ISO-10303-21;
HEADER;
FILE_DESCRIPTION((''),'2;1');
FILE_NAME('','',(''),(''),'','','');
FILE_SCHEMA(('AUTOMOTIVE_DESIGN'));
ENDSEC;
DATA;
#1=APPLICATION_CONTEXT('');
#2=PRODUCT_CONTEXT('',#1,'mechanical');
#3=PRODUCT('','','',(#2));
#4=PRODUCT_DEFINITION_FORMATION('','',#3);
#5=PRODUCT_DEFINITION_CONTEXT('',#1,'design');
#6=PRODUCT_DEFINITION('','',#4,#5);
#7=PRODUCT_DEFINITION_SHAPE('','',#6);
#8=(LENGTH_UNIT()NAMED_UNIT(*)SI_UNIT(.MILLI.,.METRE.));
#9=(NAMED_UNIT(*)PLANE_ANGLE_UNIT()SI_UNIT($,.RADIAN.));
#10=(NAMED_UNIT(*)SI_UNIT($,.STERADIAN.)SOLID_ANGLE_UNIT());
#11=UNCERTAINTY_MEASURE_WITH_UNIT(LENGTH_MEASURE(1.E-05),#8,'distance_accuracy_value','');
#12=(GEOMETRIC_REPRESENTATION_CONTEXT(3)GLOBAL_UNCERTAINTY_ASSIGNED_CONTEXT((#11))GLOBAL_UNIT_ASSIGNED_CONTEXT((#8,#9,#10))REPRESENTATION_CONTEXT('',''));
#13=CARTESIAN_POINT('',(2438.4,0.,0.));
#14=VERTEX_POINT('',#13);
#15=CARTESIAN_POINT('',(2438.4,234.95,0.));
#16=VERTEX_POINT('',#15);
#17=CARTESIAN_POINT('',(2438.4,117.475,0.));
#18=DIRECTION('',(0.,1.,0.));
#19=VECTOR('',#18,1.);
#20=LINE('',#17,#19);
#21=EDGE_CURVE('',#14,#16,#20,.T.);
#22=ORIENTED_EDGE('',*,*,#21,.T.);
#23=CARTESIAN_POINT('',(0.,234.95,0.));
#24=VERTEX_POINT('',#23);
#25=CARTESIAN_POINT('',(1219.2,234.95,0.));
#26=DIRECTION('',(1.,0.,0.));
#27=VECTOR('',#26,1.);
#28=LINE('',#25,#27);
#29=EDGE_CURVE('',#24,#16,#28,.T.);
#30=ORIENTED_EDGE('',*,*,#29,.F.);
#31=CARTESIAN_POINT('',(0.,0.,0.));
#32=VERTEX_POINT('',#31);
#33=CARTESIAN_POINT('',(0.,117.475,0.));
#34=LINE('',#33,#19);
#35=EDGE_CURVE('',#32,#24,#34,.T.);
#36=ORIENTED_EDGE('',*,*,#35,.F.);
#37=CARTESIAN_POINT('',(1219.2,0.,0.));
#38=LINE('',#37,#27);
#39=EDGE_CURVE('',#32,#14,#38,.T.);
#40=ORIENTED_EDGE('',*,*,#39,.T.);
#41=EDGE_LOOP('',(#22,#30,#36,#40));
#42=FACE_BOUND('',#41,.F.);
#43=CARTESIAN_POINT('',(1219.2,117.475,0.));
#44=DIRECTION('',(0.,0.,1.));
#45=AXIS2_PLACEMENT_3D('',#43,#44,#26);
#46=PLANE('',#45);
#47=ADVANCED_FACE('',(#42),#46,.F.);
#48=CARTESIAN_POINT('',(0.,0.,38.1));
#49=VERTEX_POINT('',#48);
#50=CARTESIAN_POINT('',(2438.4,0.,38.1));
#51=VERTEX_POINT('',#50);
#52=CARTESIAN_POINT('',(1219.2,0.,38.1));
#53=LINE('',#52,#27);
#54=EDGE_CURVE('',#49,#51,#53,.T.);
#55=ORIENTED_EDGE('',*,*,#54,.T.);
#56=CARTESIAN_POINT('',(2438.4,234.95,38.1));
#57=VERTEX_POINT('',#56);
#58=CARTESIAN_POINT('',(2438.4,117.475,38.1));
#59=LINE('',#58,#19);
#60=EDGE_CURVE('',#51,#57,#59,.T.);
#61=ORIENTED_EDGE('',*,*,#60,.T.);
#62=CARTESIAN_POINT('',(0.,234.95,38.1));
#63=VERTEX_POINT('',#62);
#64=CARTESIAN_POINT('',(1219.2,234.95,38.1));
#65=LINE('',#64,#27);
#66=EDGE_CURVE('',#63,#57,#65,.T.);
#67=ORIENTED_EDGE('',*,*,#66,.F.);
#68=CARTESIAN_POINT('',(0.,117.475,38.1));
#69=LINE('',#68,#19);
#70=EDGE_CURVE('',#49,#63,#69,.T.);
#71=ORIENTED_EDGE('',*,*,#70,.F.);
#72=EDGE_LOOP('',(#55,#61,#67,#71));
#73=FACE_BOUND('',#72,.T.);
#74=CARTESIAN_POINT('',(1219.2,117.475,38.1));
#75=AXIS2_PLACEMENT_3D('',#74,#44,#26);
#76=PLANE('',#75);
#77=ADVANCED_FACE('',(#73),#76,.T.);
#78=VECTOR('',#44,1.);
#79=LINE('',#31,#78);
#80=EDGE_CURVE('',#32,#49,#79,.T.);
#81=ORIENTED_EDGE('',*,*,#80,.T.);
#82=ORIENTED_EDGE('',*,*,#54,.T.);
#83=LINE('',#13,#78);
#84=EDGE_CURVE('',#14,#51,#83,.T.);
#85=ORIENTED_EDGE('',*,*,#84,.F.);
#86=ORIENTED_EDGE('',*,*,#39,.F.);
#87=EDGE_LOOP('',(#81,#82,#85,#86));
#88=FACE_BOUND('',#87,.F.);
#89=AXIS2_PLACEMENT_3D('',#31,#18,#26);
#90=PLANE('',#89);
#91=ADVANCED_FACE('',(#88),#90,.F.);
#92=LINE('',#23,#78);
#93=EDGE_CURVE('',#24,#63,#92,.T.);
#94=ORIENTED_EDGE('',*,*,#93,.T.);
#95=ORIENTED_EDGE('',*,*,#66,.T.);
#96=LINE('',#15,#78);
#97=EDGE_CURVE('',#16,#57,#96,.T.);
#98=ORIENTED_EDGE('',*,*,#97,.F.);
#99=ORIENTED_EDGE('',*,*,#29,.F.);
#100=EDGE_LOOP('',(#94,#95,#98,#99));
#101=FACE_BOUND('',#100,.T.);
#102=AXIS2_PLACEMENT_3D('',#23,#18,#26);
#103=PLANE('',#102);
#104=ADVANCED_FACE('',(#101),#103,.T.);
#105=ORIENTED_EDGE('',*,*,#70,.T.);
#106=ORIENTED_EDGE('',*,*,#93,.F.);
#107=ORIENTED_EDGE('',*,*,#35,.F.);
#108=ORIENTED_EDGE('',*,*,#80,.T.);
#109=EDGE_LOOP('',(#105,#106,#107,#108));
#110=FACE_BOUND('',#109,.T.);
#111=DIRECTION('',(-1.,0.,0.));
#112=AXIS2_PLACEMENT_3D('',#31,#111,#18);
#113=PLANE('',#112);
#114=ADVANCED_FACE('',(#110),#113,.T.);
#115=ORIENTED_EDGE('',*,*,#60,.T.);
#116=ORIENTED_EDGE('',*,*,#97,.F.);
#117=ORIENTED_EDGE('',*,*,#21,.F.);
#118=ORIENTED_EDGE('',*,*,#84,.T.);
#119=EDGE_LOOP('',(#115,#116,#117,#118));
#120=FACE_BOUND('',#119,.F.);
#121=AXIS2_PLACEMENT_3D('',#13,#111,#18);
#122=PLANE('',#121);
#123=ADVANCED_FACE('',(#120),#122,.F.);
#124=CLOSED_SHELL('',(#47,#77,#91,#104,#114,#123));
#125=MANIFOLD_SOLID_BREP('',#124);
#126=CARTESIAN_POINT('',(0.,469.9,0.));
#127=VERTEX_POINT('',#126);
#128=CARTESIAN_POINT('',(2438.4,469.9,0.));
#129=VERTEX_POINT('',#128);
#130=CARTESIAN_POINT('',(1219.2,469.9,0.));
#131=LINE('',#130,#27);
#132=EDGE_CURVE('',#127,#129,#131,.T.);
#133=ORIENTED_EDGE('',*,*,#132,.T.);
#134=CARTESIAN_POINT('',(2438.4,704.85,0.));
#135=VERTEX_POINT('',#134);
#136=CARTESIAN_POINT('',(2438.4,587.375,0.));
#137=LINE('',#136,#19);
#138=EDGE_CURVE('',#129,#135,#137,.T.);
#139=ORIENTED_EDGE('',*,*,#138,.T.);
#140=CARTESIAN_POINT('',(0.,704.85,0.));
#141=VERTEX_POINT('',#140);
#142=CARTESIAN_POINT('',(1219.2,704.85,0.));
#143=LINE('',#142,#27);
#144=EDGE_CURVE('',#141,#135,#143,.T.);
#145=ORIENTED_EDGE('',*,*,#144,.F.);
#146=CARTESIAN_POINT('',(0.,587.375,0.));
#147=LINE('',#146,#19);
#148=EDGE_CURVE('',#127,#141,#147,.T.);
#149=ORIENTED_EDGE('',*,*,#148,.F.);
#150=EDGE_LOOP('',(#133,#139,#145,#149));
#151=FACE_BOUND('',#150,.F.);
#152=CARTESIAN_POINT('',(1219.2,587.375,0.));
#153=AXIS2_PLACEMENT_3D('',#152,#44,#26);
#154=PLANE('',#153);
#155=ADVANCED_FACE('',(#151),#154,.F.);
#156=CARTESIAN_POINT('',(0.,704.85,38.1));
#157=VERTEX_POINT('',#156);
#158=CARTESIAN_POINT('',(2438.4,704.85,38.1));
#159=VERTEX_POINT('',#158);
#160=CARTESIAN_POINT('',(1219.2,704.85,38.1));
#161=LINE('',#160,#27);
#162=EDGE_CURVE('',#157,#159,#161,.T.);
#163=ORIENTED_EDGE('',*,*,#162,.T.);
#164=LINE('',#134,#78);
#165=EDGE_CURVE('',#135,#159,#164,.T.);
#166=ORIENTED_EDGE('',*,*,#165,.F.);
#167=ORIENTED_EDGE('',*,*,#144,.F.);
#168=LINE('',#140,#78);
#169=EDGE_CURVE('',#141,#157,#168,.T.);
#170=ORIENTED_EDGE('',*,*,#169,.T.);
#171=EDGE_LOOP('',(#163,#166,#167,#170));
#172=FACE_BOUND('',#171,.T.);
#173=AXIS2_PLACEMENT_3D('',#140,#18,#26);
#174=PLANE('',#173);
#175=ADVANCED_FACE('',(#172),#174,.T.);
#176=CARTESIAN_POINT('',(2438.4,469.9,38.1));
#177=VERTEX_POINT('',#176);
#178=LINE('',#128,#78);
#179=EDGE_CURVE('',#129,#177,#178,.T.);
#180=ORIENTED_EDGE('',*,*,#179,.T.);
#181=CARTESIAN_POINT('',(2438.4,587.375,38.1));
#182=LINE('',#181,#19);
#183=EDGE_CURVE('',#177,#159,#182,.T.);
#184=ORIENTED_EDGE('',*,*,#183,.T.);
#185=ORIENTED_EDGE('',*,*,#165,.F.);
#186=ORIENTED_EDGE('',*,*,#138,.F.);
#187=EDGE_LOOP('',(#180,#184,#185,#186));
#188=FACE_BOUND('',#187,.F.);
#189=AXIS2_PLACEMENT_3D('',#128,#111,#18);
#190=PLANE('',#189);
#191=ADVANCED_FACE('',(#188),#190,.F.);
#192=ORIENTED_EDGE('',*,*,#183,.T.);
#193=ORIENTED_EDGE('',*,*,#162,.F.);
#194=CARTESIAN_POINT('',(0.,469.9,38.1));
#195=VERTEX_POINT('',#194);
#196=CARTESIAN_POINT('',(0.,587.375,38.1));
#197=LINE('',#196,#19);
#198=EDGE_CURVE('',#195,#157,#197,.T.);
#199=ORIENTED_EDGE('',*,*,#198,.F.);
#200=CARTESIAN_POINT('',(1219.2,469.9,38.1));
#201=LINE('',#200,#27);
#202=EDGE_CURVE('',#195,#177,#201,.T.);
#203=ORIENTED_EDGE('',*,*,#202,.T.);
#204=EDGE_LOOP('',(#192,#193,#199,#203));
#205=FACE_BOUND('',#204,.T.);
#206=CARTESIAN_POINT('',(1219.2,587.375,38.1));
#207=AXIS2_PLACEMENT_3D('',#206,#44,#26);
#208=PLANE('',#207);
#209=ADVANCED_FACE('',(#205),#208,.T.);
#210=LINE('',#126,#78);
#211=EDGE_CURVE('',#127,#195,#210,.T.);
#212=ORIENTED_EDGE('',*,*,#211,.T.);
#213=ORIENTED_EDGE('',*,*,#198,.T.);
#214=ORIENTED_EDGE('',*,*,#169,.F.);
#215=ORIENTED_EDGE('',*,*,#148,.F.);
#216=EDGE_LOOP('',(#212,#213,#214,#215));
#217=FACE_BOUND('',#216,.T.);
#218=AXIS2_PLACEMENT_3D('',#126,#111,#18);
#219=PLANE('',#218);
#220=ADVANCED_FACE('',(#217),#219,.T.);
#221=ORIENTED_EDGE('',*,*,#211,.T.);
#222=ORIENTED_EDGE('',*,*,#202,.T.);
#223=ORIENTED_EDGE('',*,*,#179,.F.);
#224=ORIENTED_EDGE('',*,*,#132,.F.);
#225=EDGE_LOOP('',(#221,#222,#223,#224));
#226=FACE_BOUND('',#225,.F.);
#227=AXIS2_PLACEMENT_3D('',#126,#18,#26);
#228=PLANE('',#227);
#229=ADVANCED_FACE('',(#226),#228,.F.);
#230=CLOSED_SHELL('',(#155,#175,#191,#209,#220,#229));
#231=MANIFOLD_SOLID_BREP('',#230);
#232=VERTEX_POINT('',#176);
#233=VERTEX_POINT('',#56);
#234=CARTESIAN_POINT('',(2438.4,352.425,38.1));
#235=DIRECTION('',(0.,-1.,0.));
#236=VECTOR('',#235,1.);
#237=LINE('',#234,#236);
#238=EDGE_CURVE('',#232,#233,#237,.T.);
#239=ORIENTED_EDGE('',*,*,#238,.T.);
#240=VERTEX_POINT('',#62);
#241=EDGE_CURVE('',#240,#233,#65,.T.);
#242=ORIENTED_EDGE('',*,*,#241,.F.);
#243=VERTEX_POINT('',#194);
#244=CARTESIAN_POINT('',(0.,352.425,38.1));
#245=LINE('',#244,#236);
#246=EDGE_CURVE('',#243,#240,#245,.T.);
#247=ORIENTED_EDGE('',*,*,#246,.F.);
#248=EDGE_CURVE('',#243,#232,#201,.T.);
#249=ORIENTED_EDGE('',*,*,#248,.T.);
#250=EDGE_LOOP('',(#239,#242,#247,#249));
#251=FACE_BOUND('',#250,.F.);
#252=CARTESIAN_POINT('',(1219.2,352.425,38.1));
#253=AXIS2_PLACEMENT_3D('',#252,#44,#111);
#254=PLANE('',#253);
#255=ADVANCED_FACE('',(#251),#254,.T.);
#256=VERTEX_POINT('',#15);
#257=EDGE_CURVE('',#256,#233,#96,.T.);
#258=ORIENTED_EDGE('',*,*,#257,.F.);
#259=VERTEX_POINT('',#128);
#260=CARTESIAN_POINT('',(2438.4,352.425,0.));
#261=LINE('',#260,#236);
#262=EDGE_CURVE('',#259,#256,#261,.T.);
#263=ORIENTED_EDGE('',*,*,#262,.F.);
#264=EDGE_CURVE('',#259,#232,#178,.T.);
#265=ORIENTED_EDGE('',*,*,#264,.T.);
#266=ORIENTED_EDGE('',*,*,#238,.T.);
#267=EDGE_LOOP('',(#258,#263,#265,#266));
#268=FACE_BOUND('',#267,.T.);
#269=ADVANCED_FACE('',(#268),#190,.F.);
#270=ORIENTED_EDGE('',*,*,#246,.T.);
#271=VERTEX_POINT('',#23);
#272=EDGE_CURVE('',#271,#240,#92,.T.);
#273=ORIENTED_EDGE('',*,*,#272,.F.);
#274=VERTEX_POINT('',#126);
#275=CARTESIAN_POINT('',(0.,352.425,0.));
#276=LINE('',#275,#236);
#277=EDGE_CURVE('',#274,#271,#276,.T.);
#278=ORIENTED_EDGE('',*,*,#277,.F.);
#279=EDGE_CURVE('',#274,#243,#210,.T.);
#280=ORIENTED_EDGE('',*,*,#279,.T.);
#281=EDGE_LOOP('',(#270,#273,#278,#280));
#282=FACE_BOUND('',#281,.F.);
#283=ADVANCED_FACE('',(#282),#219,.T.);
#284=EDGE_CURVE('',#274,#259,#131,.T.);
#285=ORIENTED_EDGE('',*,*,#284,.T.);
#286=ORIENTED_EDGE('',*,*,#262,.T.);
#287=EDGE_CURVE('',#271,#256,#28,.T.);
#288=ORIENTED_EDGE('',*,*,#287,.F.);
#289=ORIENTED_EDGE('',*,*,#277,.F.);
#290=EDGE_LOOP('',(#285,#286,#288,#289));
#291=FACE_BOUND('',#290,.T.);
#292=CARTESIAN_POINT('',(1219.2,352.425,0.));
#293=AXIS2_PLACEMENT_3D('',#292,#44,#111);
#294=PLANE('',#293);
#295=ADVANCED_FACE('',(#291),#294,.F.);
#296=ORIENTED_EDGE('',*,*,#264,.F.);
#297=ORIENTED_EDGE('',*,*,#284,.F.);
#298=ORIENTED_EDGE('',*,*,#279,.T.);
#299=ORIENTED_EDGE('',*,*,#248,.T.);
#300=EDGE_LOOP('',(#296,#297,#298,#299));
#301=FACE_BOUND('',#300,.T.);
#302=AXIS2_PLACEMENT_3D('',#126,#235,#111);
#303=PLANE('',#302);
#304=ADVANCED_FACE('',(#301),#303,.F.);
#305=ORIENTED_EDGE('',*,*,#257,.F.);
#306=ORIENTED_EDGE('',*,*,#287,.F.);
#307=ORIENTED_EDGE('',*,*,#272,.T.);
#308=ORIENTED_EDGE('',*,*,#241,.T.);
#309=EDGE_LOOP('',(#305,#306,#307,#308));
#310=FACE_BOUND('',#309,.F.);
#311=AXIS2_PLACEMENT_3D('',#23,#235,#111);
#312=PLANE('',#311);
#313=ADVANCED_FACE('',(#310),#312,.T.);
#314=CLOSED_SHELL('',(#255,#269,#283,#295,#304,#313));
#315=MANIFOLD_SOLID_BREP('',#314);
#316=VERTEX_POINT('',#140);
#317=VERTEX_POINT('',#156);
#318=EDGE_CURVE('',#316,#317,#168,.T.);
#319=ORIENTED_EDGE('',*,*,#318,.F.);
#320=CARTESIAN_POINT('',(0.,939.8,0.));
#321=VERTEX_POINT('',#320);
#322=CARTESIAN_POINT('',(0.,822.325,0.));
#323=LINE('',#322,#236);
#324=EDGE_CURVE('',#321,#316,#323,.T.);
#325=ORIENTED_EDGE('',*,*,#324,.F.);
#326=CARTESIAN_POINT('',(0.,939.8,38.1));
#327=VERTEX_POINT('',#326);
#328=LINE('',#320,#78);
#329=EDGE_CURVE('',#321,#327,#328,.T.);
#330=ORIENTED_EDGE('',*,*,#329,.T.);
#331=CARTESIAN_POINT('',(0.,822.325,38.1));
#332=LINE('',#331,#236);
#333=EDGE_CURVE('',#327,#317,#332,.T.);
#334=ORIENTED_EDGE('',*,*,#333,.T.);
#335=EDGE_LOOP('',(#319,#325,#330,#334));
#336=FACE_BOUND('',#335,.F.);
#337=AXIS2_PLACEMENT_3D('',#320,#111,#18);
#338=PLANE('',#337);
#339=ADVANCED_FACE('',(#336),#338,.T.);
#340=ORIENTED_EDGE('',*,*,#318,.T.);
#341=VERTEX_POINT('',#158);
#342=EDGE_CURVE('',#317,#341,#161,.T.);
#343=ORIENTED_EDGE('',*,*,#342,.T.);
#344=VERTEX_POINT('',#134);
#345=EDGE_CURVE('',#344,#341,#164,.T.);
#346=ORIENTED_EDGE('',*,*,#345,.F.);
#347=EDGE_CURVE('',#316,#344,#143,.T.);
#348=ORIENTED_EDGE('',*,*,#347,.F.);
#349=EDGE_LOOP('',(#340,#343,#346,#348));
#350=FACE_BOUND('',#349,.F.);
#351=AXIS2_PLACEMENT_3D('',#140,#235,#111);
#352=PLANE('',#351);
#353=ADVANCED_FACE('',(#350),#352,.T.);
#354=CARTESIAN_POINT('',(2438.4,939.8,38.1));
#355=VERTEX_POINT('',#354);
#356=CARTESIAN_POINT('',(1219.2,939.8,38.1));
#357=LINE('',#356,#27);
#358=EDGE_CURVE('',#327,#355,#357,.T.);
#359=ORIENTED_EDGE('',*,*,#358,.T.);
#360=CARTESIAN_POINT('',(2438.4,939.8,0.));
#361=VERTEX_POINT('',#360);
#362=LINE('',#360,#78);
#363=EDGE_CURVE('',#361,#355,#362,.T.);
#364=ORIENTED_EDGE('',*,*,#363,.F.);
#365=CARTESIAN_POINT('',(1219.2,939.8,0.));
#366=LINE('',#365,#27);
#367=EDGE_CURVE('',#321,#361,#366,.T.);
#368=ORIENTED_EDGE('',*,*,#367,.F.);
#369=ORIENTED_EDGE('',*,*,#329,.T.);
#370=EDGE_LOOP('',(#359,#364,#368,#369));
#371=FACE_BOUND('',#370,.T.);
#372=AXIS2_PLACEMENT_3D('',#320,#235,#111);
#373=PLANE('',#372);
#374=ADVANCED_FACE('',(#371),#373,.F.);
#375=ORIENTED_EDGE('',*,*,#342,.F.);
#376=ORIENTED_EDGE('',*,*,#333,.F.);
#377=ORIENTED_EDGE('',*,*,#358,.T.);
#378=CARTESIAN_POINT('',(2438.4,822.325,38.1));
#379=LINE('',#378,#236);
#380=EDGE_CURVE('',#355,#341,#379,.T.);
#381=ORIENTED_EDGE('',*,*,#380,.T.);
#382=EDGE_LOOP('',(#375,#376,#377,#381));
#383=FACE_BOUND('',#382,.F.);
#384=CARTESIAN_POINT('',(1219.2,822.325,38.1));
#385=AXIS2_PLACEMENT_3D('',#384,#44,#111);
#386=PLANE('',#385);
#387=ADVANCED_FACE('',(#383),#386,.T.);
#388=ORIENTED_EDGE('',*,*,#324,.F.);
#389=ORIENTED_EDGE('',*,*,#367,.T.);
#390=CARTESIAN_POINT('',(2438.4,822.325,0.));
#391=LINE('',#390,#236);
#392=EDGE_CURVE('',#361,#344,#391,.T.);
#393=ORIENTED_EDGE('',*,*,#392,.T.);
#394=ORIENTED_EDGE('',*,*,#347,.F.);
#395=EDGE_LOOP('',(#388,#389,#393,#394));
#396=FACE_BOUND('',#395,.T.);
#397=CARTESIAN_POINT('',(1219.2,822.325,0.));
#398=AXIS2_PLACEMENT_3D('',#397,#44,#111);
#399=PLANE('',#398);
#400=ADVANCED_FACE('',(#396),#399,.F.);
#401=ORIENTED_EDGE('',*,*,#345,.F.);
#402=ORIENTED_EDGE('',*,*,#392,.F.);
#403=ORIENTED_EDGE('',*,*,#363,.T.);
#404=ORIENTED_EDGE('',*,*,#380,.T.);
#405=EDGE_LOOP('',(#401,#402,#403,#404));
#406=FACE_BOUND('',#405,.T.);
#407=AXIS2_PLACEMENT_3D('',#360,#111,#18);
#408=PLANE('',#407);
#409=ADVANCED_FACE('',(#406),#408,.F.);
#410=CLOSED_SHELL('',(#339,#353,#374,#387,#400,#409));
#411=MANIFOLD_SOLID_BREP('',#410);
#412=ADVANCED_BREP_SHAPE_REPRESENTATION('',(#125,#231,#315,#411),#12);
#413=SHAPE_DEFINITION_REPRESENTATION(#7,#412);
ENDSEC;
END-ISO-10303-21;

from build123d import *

# Parameters (mm, degrees)
F0_W     = 2438.4
F0_H     = 234.95
F1_DEPTH = 38.1


with BuildPart() as f1:
    # F0 (on Top) → F1 (new body)
    with BuildSketch(Plane.XY):
        with Locations((1219.2, 117.475)):
            Rectangle(F0_W, F0_H)
    extrude(amount=F1_DEPTH)


with BuildPart() as f2_1:
    # F2: instance of F1
    add(f1.part.mirror(Plane(origin=(1219.2, 234.95, 19.05), x_dir=(-1, 0, 0), z_dir=(0, 1, 0))))


with BuildPart() as f3_1:
    # F3: instance of F2_1
    add(f2_1.part.mirror(Plane(origin=(1219.2, 469.9, 19.05), x_dir=(-1, 0, 0), z_dir=(0, 1, 0))))


with BuildPart() as f3_2:
    # F3: instance of F1
    add(f1.part.mirror(Plane(origin=(1219.2, 469.9, 19.05), x_dir=(-1, 0, 0), z_dir=(0, 1, 0))))


solid = Compound([f1.part, f2_1.part, f3_1.part, f3_2.part])
